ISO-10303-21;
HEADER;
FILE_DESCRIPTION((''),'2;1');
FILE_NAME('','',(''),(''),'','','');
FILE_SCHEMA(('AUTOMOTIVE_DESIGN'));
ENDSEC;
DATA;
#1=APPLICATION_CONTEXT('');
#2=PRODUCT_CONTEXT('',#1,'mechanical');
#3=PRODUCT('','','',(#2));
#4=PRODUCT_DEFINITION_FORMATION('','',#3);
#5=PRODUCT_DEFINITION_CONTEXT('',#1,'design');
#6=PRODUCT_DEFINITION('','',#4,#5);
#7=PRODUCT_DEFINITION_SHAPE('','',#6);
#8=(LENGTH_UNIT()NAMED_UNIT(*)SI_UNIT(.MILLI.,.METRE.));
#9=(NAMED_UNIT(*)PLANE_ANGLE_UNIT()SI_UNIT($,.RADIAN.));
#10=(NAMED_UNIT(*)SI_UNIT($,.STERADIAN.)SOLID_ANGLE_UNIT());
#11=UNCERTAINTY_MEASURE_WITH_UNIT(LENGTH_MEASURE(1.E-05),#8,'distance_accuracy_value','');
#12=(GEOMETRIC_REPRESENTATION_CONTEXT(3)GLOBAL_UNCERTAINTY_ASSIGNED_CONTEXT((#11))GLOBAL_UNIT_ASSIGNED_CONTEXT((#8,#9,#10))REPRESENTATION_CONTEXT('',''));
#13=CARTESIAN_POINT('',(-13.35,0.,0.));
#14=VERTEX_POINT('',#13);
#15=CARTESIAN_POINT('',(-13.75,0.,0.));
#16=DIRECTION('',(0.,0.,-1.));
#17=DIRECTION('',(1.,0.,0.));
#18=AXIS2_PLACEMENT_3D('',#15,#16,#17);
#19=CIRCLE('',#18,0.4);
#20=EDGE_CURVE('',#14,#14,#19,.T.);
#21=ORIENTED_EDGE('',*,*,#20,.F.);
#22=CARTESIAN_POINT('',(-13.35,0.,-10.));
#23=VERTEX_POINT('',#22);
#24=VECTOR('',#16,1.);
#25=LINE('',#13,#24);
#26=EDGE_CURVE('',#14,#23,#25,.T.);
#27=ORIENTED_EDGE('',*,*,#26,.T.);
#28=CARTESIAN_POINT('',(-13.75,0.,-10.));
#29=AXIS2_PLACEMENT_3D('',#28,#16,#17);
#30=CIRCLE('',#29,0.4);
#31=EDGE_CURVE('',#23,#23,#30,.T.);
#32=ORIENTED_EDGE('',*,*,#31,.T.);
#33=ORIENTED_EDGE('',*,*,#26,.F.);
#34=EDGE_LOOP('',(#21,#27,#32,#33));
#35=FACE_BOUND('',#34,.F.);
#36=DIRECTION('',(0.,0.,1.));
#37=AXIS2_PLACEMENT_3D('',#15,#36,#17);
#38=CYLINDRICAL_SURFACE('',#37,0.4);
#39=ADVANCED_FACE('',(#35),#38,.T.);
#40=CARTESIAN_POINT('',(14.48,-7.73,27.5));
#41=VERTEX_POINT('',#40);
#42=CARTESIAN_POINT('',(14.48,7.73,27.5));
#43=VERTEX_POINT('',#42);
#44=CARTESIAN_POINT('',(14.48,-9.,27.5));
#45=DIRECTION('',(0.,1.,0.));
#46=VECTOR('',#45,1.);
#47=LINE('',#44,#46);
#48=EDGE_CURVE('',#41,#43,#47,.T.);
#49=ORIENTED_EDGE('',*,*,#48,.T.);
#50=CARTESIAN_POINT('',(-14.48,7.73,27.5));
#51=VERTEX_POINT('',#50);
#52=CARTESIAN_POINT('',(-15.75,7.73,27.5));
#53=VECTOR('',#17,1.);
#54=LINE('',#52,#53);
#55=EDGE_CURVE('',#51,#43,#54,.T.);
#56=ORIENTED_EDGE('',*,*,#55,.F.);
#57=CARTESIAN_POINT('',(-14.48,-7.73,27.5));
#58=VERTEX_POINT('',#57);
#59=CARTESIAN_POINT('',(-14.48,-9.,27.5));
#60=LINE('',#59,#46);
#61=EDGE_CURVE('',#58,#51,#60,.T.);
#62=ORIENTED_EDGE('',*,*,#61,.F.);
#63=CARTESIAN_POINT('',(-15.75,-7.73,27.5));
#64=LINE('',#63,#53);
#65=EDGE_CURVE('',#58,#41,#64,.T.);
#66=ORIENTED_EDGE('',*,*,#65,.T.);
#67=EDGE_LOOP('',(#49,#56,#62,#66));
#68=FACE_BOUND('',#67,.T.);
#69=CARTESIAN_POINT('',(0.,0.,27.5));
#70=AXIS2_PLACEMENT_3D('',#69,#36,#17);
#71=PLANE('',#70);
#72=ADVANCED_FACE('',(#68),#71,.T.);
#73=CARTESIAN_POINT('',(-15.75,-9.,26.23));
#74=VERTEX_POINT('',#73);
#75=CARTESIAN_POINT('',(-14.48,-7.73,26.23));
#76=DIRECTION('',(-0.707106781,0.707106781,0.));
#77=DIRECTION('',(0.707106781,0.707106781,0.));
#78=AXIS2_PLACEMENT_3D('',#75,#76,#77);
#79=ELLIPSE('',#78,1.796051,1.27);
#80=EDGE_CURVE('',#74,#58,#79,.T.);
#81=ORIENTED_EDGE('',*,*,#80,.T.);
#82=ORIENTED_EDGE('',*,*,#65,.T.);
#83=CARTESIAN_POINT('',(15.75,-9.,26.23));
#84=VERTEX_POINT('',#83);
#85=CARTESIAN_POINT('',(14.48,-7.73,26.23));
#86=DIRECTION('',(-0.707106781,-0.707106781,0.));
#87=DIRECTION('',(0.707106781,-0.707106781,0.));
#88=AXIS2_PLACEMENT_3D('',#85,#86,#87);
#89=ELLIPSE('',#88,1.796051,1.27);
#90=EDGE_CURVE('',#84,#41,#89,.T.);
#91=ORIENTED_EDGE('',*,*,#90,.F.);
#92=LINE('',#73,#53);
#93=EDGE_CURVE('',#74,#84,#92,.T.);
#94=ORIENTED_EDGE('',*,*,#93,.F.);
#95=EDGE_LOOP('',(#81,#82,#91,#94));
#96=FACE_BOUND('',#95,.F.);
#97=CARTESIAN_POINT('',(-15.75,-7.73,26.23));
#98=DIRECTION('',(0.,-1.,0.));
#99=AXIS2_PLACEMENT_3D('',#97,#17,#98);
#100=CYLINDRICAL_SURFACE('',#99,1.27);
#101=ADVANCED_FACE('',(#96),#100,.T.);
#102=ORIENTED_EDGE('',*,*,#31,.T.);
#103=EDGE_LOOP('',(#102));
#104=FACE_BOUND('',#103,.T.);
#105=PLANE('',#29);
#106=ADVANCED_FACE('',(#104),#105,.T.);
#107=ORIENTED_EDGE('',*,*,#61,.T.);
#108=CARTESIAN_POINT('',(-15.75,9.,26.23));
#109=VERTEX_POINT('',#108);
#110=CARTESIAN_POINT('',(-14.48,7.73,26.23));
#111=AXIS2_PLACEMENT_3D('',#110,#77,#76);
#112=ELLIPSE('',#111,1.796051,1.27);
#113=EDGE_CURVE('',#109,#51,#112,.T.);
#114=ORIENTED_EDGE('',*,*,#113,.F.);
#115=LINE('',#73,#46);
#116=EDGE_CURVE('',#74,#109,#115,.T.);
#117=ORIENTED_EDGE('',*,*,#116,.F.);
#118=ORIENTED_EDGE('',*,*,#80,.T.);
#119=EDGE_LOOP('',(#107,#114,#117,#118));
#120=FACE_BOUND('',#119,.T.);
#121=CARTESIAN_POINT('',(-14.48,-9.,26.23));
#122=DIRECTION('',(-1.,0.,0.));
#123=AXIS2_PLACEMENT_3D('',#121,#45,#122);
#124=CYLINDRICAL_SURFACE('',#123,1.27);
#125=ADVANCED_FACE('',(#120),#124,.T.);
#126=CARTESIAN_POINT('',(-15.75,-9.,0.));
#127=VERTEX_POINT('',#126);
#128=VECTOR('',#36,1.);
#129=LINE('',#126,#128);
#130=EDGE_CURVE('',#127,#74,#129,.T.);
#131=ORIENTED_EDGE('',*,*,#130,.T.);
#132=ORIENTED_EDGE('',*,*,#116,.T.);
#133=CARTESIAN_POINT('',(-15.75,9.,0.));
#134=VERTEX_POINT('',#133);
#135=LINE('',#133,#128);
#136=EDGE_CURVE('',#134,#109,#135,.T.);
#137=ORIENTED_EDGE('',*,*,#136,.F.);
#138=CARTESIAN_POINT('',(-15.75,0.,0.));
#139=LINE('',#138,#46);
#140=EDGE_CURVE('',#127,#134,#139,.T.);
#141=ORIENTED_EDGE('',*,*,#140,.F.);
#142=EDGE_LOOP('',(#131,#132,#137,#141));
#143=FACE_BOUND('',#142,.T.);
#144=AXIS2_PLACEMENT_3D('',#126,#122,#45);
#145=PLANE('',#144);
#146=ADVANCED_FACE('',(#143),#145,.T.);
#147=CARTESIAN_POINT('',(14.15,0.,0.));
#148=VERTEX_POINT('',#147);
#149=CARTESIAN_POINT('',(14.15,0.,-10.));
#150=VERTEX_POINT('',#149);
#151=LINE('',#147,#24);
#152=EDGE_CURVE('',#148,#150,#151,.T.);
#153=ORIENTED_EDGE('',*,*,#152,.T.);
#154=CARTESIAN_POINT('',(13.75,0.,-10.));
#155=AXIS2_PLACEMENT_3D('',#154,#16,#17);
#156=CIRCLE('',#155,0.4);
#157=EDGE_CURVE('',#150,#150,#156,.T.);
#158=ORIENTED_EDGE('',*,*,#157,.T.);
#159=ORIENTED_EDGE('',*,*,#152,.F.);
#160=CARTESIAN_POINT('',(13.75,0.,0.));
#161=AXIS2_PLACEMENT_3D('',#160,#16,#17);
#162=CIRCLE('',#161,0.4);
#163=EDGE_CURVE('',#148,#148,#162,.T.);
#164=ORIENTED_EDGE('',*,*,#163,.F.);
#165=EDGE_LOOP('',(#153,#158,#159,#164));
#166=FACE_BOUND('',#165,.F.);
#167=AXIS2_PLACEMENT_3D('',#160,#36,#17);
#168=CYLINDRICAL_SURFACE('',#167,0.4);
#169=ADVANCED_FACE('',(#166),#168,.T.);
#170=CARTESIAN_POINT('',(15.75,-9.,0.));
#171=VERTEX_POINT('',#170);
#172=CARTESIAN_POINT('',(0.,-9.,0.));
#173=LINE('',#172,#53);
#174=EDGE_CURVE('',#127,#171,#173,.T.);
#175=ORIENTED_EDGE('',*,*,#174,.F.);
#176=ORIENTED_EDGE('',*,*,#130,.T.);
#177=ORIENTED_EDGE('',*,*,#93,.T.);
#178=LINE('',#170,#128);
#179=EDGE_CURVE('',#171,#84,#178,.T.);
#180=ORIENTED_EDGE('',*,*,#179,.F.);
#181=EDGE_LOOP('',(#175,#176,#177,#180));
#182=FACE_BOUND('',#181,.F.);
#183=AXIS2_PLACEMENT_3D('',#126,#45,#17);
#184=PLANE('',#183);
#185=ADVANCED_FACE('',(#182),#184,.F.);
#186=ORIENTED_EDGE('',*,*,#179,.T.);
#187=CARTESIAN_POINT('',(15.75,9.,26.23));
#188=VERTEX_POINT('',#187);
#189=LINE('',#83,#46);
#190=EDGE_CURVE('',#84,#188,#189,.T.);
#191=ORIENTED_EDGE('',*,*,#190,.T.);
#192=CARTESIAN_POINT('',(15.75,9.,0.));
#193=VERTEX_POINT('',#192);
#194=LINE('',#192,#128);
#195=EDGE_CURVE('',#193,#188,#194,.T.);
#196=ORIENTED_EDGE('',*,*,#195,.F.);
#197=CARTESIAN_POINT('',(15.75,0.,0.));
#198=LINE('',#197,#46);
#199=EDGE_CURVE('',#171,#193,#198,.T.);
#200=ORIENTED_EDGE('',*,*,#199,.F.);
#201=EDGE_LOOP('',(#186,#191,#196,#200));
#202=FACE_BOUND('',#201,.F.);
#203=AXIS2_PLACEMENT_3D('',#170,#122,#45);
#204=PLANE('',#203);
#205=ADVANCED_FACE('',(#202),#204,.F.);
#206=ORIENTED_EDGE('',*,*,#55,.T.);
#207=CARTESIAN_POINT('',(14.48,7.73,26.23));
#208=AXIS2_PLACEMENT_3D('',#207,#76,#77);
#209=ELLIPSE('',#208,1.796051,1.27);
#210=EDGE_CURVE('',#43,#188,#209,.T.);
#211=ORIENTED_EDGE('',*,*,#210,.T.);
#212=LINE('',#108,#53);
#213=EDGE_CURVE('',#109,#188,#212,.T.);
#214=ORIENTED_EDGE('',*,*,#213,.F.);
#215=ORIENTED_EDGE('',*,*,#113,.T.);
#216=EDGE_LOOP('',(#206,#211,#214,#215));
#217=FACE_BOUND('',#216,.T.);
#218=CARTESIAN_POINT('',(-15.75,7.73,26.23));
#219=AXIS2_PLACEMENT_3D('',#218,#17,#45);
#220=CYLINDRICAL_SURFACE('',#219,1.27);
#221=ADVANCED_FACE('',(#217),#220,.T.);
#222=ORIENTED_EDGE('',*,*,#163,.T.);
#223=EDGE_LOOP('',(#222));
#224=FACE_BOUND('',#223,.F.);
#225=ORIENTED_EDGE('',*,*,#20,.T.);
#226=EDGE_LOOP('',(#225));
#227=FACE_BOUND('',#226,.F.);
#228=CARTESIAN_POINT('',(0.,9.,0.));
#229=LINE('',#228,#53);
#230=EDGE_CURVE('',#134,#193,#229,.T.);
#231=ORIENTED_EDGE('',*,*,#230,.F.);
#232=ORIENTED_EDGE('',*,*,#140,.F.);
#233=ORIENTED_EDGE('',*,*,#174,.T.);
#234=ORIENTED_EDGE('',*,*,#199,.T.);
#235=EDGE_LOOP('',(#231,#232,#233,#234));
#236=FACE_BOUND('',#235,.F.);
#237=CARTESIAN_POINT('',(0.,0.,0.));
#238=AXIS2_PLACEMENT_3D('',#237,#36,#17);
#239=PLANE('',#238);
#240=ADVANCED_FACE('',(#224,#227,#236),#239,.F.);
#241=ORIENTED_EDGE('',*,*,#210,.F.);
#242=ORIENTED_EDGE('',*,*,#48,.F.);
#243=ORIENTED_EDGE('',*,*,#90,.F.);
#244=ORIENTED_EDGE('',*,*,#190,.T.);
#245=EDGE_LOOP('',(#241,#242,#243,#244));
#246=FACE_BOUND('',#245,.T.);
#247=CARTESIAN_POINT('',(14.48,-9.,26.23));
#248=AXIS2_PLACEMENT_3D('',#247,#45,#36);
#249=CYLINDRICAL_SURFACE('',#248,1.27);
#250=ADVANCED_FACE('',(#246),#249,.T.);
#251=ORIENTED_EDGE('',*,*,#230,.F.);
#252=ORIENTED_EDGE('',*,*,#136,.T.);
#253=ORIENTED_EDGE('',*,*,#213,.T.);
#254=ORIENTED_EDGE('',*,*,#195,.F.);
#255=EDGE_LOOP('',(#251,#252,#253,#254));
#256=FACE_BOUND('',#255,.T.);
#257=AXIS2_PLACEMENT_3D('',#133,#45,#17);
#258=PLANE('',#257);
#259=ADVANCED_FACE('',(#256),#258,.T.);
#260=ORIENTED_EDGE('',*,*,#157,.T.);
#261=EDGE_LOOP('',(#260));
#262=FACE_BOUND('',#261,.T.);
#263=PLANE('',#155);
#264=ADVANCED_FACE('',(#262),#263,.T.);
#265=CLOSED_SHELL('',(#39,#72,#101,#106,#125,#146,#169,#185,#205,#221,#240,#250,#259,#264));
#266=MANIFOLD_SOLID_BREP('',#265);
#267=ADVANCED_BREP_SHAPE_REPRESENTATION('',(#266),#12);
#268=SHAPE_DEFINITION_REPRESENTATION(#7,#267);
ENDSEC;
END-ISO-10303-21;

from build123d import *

# Parameters (mm, degrees)
F0_W     = 31.5
F0_H     = 18
F0_R     = 0.4
F1_DEPTH = 27.5
F2_R     = 0.4
F3_DEPTH = 10
F4_R     = 1.27


with BuildPart() as f1:
    # F0 (on Top) → F1 (new body)
    with BuildSketch(Plane.XY):
        Rectangle(F0_W, F0_H)
        with Locations((-13.75, 0)):
            Circle(F0_R, mode=Mode.SUBTRACT)
        with Locations((13.75, 0)):
            Circle(F0_R, mode=Mode.SUBTRACT)
        with Locations((13.75, 0)):
            Circle(F0_R)
        with Locations((-13.75, 0)):
            Circle(F0_R)
    extrude(amount=F1_DEPTH)

    # F2 (on face) → F3 (join)
    with BuildSketch(Plane(origin=(0, 0, 0), x_dir=(1, 0, 0), z_dir=(0, 0, -1))):
        with Locations((13.75, 0)):
            Circle(F2_R)
        with Locations((-13.75, 0)):
            Circle(F2_R)
    extrude(amount=F3_DEPTH)

    # F4
    f4_edges = [f1.edges().sort_by_distance(p)[0] for p in [
        (-15.75, 0, 27.5),
        (0, -9, 27.5),
        (15.75, 0, 27.5),
        (0, 9, 27.5),
    ]]
    fillet(f4_edges, radius=F4_R)


solid = f1.part
